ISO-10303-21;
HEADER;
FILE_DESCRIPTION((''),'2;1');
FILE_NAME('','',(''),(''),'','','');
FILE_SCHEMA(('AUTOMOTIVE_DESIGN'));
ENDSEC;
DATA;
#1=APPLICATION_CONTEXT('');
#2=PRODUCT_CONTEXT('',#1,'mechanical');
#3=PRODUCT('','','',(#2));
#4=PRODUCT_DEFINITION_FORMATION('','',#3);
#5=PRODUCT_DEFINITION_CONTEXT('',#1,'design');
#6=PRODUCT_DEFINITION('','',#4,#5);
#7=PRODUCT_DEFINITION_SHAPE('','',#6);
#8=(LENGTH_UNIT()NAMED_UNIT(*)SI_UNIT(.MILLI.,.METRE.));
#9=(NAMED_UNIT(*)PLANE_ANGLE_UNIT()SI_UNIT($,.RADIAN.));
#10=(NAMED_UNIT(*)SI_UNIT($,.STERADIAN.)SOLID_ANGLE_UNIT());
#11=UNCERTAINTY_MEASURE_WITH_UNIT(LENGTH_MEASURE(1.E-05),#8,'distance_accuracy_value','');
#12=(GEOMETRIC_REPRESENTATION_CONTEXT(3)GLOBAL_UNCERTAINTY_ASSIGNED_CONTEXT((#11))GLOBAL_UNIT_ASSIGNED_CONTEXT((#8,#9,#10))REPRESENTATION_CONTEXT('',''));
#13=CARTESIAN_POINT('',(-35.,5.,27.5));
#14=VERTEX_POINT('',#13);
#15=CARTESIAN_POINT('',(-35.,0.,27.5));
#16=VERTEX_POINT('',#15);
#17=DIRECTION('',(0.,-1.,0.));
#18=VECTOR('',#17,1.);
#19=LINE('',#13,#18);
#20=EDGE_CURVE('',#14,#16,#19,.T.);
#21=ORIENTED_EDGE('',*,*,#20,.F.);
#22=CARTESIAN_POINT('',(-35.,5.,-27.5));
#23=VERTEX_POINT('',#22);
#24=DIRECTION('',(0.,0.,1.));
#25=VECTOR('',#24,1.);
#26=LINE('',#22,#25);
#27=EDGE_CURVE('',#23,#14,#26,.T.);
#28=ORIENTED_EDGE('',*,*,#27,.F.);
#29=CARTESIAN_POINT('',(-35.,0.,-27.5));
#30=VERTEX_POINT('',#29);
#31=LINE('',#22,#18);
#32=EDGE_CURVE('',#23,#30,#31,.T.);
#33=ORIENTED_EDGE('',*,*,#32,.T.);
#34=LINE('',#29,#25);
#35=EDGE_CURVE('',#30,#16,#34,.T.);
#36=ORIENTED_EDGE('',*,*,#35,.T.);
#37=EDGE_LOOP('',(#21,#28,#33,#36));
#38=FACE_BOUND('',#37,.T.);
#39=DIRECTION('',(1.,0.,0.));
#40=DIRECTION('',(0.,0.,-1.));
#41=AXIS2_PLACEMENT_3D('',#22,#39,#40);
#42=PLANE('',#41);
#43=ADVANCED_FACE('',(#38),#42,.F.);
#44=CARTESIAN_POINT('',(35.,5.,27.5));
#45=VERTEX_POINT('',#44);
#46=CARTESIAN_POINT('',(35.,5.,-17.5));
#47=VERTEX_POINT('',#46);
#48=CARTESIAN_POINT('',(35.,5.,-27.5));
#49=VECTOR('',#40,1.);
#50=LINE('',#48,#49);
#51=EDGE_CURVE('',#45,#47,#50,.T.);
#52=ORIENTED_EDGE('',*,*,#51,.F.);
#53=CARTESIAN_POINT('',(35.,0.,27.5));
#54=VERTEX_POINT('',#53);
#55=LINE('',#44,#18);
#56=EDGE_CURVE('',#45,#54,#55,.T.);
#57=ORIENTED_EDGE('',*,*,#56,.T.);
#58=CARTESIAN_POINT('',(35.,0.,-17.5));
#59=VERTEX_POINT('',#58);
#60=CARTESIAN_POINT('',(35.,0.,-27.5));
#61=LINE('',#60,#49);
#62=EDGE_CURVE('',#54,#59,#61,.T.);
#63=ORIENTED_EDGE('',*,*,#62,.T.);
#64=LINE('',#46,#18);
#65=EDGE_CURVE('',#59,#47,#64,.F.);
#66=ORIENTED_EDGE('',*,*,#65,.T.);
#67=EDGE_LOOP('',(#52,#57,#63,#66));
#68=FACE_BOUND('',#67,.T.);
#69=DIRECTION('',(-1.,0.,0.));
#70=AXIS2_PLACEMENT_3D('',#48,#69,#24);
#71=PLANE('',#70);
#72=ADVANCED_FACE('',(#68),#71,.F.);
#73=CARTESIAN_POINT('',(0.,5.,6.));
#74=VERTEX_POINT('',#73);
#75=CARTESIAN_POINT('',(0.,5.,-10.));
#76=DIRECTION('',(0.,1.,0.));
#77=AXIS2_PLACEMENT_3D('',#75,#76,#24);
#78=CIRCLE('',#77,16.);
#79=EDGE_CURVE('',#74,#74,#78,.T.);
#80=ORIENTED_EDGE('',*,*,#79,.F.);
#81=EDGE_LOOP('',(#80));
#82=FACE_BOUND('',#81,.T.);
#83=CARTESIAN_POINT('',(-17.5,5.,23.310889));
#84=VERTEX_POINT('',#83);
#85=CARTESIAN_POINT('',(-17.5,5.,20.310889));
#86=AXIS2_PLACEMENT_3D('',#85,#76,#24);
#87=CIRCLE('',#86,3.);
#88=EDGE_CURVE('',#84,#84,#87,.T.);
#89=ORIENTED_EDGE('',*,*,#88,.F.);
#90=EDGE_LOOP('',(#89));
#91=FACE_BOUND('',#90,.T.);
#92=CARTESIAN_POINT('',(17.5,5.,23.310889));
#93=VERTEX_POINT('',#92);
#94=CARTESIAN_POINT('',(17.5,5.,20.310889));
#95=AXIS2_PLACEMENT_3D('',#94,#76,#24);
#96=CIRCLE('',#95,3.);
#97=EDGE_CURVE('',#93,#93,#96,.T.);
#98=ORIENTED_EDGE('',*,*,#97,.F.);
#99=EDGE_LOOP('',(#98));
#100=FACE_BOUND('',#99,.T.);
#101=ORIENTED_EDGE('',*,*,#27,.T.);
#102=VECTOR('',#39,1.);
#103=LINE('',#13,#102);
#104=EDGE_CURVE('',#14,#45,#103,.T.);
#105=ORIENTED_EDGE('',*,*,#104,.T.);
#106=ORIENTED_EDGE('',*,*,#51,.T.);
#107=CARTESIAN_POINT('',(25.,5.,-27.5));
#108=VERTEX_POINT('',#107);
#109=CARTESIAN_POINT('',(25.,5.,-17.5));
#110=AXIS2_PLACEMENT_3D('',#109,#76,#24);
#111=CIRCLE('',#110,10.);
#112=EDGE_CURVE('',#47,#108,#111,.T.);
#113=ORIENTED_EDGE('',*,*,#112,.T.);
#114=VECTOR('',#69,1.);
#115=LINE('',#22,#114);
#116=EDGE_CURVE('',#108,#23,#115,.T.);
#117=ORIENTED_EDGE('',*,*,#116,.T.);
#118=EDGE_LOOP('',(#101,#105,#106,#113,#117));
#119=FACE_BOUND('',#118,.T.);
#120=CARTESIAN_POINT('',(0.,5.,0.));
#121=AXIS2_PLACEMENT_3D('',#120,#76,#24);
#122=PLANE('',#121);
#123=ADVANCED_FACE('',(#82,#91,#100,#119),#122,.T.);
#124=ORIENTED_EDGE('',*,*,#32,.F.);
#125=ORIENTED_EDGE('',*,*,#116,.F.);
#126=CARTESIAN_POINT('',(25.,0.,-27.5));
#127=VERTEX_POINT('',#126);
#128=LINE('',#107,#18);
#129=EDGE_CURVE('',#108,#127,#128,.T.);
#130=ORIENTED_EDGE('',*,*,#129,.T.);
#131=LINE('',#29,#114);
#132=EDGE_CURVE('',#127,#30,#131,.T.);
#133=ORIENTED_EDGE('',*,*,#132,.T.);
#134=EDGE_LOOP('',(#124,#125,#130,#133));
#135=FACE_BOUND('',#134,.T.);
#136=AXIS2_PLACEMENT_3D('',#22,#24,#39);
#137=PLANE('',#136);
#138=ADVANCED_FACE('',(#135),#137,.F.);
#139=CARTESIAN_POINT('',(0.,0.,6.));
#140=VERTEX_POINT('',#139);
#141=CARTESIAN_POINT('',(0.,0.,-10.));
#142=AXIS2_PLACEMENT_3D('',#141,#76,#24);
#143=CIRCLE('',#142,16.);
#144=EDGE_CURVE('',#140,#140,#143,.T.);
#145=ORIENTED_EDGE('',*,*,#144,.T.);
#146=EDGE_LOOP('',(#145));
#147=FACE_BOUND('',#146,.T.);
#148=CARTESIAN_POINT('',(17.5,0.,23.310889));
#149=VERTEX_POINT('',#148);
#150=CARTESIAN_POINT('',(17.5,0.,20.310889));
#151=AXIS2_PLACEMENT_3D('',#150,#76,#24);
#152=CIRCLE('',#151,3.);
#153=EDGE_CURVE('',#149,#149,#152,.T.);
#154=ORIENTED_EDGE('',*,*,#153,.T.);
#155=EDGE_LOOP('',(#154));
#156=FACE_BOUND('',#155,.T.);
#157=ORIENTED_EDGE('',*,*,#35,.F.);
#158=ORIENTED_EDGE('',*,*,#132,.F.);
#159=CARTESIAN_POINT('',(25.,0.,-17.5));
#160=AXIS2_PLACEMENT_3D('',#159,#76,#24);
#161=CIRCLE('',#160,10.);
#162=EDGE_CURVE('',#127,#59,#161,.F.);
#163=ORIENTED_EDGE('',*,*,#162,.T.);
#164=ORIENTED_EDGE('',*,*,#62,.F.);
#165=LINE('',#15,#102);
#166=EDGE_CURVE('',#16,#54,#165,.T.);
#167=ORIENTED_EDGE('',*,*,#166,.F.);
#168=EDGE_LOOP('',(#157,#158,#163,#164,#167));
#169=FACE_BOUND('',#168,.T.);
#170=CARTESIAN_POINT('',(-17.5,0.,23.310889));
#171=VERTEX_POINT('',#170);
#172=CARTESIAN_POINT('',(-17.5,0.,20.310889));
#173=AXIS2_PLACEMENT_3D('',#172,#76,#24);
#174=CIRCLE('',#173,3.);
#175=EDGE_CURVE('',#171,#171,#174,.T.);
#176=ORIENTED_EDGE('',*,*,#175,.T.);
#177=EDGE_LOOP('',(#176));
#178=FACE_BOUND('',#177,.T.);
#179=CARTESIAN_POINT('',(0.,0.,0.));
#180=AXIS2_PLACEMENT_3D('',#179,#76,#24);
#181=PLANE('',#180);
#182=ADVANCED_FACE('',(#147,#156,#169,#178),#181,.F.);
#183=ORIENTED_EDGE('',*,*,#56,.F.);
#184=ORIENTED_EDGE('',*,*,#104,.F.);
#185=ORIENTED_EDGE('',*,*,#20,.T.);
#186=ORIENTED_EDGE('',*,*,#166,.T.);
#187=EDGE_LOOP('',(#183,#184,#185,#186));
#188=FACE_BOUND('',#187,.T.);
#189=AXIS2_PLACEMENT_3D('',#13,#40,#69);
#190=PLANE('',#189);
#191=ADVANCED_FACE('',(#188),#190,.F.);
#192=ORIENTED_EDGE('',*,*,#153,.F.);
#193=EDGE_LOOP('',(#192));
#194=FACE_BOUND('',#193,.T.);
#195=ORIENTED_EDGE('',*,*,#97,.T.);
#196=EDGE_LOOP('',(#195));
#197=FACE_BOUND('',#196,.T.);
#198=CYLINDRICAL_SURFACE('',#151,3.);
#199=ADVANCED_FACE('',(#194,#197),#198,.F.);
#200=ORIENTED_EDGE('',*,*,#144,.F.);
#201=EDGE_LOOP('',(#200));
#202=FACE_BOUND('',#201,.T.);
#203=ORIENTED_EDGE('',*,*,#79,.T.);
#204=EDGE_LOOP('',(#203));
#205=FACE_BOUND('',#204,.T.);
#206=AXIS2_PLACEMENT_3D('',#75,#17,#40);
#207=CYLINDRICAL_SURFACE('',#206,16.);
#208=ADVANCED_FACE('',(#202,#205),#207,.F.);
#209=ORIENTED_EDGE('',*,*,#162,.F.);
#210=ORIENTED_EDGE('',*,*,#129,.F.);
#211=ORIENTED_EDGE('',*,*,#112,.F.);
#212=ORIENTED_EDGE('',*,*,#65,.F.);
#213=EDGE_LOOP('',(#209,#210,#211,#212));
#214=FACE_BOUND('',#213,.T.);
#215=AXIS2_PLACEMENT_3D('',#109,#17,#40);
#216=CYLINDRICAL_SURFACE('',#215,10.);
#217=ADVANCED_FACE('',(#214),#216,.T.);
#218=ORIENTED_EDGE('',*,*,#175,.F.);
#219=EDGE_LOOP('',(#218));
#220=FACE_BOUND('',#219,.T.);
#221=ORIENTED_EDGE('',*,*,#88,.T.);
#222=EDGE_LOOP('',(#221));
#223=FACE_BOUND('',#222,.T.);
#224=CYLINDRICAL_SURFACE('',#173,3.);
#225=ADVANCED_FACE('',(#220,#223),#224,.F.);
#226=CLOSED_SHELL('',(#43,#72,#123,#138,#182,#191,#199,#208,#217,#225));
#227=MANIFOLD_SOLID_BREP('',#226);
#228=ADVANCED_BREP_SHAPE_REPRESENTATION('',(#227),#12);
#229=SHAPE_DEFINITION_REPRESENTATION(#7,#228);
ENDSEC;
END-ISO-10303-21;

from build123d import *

# Parameters (mm, degrees)
SKETCH1_W           = 70
SKETCH1_H           = 55
SKETCH1_R           = 16
BOSS_EXTRUDE1_DEPTH = 5
SKETCH2_R           = 3
CUT_EXTRUDE1_DEPTH  = 45.791182168
FILLET1_R           = 10


with BuildPart() as part:
    # Sketch1 → Boss-Extrude1 (new body)
    with BuildSketch(Plane(origin=(0, 0, 0), x_dir=(1, 0, 0), z_dir=(0, 1, 0))):
        Rectangle(SKETCH1_W, SKETCH1_H)
        with Locations(Location((0, 10, 0), (0, 0, 270))):
            Circle(SKETCH1_R, mode=Mode.SUBTRACT)
    extrude(amount=BOSS_EXTRUDE1_DEPTH)

    # Sketch2 → Cut-Extrude1 (cut, through all)
    with BuildSketch(Plane(origin=(0, 5, 0), x_dir=(1, 0, 0), z_dir=(0, 1, 0))):
        with Locations(Location((-17.5, -20.310889132, 0), (0, 0, 270))):
            Circle(SKETCH2_R)
        with Locations(Location((17.5, -20.310889132, 0), (0, 0, 270))):
            Circle(SKETCH2_R)
    extrude(amount=-CUT_EXTRUDE1_DEPTH, mode=Mode.SUBTRACT)

    # Fillet1
    fillet1_edges = [part.edges().sort_by_distance(p)[0] for p in [
        (35, 2.5, -27.5),
    ]]
    fillet(fillet1_edges, radius=FILLET1_R)


solid = part.part
